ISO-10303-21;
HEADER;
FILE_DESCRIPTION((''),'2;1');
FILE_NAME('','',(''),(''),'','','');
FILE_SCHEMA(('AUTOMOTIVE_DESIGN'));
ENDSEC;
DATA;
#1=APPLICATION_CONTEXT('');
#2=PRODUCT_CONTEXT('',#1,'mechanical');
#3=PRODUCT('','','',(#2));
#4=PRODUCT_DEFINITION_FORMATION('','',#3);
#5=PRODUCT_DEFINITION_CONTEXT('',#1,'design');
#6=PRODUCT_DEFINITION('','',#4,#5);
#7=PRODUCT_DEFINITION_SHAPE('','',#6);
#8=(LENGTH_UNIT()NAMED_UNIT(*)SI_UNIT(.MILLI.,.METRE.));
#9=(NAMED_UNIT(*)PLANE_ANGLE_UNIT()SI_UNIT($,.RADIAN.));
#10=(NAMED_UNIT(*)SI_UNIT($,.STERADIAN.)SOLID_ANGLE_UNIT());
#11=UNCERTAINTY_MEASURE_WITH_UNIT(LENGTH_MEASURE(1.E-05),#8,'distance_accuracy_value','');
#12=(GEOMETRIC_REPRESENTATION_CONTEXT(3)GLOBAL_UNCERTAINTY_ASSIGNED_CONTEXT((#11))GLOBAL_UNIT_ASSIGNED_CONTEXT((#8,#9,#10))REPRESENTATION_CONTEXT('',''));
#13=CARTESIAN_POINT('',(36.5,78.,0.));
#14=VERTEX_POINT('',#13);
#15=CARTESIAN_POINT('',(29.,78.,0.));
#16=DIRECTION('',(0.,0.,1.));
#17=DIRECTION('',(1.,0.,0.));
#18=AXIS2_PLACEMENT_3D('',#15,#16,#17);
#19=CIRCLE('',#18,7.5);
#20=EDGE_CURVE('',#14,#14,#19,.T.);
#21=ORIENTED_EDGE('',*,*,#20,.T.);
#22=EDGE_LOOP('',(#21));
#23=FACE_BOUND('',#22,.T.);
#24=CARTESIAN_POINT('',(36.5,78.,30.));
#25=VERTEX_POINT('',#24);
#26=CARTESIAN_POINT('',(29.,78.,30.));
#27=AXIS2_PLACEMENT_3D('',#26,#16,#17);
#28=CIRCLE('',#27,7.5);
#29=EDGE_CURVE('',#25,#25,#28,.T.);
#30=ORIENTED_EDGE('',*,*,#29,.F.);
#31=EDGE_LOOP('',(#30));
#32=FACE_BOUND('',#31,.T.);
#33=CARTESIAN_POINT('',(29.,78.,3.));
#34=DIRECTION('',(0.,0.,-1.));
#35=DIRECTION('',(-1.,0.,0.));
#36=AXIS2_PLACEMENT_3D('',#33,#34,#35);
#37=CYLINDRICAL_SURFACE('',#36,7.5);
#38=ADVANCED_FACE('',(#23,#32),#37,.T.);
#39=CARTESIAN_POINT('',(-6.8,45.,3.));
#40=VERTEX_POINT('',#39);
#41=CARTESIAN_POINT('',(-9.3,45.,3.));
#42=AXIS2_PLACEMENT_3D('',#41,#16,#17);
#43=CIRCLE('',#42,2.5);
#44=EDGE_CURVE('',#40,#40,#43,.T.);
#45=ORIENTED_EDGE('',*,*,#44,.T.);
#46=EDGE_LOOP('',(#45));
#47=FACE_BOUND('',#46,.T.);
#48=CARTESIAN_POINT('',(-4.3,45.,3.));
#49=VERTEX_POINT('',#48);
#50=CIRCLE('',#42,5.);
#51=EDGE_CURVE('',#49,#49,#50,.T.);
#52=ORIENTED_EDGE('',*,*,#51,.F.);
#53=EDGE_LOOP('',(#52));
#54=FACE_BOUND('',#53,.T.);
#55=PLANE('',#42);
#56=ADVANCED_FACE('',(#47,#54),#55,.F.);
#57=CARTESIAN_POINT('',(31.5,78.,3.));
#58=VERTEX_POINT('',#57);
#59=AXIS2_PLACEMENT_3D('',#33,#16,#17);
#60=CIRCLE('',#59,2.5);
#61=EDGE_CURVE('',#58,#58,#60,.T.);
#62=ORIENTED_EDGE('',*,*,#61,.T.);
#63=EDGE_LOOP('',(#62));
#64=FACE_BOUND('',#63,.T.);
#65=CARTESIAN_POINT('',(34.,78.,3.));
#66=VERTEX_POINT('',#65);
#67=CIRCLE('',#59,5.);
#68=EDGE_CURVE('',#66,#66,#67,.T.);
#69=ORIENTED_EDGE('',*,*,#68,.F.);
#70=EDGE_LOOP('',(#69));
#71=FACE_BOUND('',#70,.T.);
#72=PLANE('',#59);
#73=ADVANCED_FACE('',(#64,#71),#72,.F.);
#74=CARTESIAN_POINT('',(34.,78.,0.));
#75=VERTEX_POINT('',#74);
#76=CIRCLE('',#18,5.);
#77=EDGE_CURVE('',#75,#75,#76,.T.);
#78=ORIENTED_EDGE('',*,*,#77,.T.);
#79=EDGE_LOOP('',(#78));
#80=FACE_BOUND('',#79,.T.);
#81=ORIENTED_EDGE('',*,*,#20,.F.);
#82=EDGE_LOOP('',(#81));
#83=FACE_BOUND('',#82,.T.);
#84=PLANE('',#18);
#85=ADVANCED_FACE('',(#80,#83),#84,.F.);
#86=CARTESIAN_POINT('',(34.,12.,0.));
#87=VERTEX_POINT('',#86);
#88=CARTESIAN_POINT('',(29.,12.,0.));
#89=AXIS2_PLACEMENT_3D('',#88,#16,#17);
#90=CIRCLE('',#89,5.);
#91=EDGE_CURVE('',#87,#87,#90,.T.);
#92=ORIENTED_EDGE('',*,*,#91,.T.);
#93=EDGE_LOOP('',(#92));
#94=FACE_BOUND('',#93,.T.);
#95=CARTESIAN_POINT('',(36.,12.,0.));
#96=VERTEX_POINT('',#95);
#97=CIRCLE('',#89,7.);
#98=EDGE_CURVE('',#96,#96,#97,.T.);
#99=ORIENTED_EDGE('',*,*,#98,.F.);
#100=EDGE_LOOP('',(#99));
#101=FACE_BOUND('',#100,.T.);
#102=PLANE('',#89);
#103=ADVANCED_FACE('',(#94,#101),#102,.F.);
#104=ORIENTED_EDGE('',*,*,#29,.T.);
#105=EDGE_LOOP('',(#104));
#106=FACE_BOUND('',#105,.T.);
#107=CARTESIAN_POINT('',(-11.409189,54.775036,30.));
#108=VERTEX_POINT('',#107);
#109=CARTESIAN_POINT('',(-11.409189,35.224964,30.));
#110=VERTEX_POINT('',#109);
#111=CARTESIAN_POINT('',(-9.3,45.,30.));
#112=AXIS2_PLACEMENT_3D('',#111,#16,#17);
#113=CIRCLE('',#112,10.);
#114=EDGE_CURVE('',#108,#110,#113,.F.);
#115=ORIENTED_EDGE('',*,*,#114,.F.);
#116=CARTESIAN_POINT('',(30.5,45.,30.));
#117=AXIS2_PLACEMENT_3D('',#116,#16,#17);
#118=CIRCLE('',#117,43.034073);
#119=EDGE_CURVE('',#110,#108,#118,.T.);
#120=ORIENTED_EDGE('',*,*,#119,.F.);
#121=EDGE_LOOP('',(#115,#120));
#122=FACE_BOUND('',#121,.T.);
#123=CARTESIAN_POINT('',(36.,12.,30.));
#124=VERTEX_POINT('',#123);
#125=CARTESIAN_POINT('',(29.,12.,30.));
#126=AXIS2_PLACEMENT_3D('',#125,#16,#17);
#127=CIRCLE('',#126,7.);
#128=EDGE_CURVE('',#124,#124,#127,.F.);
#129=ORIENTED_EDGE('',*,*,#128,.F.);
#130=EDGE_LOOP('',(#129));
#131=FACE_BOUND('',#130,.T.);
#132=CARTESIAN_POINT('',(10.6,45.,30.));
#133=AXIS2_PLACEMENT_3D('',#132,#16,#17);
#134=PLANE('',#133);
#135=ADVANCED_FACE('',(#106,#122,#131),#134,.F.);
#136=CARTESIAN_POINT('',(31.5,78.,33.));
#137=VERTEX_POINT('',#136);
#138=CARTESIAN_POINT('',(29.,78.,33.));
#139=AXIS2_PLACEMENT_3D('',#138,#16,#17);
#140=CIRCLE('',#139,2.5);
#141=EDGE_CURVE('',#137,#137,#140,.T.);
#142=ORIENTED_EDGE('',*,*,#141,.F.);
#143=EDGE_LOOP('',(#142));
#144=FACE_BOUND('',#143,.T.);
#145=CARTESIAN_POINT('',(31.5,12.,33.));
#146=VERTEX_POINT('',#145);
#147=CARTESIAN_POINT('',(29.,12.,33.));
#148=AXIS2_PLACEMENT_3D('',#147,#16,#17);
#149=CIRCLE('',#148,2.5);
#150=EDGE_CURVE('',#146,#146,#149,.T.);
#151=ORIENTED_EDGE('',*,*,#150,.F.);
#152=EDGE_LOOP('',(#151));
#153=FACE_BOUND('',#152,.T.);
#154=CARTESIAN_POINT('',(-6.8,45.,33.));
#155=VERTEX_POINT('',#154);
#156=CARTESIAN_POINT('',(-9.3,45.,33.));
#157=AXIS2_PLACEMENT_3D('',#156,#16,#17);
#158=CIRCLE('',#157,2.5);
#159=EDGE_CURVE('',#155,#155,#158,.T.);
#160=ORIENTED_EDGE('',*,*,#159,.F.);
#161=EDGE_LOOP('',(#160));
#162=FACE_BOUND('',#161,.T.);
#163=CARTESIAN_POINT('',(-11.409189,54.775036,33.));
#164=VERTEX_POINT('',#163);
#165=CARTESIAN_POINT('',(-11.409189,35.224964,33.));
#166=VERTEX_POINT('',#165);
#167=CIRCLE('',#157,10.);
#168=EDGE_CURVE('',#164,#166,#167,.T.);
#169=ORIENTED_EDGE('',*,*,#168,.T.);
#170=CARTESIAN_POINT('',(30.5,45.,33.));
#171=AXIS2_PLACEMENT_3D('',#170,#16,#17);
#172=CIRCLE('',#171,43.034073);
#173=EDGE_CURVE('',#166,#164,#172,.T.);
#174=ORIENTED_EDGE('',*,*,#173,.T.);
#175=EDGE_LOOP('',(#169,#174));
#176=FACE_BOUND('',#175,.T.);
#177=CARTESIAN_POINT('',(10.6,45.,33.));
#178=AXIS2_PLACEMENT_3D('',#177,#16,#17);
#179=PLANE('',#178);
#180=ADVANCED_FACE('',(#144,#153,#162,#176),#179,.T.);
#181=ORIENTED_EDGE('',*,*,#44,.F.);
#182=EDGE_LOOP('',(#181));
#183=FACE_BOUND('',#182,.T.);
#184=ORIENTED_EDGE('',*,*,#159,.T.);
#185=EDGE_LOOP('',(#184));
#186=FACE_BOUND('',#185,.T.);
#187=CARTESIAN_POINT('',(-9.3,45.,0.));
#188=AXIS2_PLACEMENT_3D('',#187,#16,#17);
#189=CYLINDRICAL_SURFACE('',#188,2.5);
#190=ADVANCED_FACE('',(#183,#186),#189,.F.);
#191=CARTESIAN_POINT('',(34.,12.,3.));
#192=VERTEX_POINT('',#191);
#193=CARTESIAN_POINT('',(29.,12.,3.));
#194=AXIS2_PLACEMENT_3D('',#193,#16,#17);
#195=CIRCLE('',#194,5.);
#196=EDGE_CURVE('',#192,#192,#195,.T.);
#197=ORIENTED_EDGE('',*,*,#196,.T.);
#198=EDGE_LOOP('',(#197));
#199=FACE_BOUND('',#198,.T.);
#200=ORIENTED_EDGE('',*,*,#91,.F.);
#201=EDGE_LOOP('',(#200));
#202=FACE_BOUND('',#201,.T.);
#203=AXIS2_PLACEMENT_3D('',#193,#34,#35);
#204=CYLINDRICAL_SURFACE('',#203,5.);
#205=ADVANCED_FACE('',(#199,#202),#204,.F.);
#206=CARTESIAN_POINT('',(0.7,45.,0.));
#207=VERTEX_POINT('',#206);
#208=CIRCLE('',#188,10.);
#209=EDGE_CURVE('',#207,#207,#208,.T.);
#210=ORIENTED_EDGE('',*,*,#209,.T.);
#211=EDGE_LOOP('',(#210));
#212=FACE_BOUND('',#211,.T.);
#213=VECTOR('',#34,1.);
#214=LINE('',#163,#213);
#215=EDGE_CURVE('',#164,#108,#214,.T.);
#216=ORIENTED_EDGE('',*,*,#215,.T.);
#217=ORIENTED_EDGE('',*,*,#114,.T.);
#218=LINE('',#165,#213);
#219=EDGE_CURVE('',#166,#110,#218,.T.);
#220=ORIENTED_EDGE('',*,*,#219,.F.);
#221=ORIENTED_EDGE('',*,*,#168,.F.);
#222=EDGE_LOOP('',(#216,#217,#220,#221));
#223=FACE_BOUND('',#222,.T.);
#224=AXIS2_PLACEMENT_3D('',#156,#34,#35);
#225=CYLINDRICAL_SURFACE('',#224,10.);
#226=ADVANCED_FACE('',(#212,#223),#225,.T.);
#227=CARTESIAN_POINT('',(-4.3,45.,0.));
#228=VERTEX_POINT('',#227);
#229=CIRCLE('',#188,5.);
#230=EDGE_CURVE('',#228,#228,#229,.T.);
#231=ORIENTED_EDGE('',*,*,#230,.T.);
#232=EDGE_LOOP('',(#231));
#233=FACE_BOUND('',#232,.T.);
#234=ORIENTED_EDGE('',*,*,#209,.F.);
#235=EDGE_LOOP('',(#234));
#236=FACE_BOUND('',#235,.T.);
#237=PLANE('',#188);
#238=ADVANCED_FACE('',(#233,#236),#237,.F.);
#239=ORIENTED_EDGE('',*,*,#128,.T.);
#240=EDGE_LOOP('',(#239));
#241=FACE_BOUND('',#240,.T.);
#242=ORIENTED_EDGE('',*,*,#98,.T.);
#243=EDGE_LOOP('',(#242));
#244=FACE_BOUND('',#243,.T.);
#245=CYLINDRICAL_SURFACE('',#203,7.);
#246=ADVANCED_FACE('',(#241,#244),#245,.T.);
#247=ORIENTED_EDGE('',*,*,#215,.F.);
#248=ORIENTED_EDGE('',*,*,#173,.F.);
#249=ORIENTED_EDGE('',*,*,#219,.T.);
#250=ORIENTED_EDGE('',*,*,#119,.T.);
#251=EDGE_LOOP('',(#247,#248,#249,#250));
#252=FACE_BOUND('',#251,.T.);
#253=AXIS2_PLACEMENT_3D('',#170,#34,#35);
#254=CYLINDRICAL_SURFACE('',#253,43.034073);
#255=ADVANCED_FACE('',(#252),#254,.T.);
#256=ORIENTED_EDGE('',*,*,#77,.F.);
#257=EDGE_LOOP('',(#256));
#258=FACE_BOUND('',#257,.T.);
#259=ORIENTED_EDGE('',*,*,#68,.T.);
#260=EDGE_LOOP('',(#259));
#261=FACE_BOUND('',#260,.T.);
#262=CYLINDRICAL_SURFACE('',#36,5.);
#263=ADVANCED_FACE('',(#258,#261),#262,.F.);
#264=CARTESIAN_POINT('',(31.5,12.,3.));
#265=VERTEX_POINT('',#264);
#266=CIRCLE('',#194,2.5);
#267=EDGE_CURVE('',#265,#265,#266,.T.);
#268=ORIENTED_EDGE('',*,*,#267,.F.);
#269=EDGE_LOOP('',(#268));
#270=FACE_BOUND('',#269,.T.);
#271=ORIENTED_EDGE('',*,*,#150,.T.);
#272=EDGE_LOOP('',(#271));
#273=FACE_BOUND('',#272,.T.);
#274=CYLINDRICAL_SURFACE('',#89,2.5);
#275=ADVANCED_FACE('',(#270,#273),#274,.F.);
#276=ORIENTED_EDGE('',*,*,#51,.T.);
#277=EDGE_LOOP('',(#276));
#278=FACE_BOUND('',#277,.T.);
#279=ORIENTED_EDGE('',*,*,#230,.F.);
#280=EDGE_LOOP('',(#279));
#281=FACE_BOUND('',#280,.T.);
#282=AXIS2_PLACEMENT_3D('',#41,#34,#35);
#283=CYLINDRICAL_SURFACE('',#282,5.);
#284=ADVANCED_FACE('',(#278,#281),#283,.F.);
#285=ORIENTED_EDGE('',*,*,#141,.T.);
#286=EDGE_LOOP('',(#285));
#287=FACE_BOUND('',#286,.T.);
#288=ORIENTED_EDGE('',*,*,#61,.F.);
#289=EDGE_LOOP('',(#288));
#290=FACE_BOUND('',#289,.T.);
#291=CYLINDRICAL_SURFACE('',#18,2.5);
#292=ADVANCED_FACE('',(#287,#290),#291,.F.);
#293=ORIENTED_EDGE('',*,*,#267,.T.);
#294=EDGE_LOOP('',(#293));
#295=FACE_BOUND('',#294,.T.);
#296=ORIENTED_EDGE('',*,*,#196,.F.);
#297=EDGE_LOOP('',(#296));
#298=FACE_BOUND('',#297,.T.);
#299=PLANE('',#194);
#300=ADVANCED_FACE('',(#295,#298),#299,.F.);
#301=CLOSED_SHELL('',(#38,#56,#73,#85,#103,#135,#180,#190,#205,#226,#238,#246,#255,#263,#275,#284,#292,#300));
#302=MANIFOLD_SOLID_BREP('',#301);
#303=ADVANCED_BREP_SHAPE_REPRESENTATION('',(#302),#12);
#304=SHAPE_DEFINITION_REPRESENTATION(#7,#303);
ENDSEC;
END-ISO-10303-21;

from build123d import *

# Parameters (mm, degrees)
SKETCH1_R             = 7.5
SKETCH1_R_2           = 5
BOSS_EXTRUDE1_DEPTH   = 3
SKETCH1_R_3           = 10
BOSS_EXTRUDE1_2_DEPTH = 3
SKETCH1_R_4           = 7
BOSS_EXTRUDE1_3_DEPTH = 3
SKETCH3_R             = 7
SKETCH3_R_2           = 7.5
SKETCH3_R_3           = 10
BOSS_EXTRUDE2_DEPTH   = 27
BOSS_EXTRUDE3_DEPTH   = 3
SKETCH5_R             = 2.5
CUT_EXTRUDE1_DEPTH    = 34


with BuildPart() as part:
    # Sketch1 → Boss-Extrude1 (new body)
    with BuildSketch(Plane.XY):
        with Locations((29, 78)):
            Circle(SKETCH1_R)
        with Locations((29, 78)):
            Circle(SKETCH1_R_2, mode=Mode.SUBTRACT)
    extrude(amount=BOSS_EXTRUDE1_DEPTH)



with BuildPart() as body_2:
    # Sketch1 → Boss-Extrude1 2 (new body)
    with BuildSketch(Plane.XY):
        with Locations((-9.3, 45)):
            Circle(SKETCH1_R_3)
        with Locations((-9.3, 45)):
            Circle(SKETCH1_R_2, mode=Mode.SUBTRACT)
    extrude(amount=BOSS_EXTRUDE1_2_DEPTH)


with BuildPart() as body_3:
    # Sketch1 → Boss-Extrude1 3 (new body)
    with BuildSketch(Plane.XY):
        with Locations((29, 12)):
            Circle(SKETCH1_R_4)
        with Locations((29, 12)):
            Circle(SKETCH1_R_2, mode=Mode.SUBTRACT)
    extrude(amount=BOSS_EXTRUDE1_3_DEPTH)


with BuildPart() as part_1:
    add(part.part)

    add(body_2.part)  # Boss-Extrude2 merges body 2

    add(body_3.part)  # Boss-Extrude2 merges body 3
    # Sketch3 → Boss-Extrude2 (add)
    with BuildSketch(Plane.XY.offset(3)):
        with Locations((29, 12)):
            Circle(SKETCH3_R)
        with Locations((29, 78)):
            Circle(SKETCH3_R_2)
        with Locations((-9.3, 45)):
            Circle(SKETCH3_R_3)
    extrude(amount=BOSS_EXTRUDE2_DEPTH)

    # Sketch4 → Boss-Extrude3 (add)
    with BuildSketch(Plane.XY.offset(30)):
        with BuildLine():
            ThreePointArc((-11.409189276, 35.22496442), (73.534073318, 45), (-11.409189276, 54.77503558))
            ThreePointArc((-11.409189276, 54.77503558), (-19.3, 45), (-11.409189276, 35.22496442))
        make_face()
    extrude(amount=BOSS_EXTRUDE3_DEPTH)

    # Sketch5 → Cut-Extrude1 (cut, through all)
    with BuildSketch(Plane.XY.offset(33)):
        with Locations((-9.3, 45)):
            Circle(SKETCH5_R)
        with Locations((29, 12)):
            Circle(SKETCH5_R)
        with Locations((29, 78)):
            Circle(SKETCH5_R)
    extrude(amount=-CUT_EXTRUDE1_DEPTH, mode=Mode.SUBTRACT)


solid = part_1.part
